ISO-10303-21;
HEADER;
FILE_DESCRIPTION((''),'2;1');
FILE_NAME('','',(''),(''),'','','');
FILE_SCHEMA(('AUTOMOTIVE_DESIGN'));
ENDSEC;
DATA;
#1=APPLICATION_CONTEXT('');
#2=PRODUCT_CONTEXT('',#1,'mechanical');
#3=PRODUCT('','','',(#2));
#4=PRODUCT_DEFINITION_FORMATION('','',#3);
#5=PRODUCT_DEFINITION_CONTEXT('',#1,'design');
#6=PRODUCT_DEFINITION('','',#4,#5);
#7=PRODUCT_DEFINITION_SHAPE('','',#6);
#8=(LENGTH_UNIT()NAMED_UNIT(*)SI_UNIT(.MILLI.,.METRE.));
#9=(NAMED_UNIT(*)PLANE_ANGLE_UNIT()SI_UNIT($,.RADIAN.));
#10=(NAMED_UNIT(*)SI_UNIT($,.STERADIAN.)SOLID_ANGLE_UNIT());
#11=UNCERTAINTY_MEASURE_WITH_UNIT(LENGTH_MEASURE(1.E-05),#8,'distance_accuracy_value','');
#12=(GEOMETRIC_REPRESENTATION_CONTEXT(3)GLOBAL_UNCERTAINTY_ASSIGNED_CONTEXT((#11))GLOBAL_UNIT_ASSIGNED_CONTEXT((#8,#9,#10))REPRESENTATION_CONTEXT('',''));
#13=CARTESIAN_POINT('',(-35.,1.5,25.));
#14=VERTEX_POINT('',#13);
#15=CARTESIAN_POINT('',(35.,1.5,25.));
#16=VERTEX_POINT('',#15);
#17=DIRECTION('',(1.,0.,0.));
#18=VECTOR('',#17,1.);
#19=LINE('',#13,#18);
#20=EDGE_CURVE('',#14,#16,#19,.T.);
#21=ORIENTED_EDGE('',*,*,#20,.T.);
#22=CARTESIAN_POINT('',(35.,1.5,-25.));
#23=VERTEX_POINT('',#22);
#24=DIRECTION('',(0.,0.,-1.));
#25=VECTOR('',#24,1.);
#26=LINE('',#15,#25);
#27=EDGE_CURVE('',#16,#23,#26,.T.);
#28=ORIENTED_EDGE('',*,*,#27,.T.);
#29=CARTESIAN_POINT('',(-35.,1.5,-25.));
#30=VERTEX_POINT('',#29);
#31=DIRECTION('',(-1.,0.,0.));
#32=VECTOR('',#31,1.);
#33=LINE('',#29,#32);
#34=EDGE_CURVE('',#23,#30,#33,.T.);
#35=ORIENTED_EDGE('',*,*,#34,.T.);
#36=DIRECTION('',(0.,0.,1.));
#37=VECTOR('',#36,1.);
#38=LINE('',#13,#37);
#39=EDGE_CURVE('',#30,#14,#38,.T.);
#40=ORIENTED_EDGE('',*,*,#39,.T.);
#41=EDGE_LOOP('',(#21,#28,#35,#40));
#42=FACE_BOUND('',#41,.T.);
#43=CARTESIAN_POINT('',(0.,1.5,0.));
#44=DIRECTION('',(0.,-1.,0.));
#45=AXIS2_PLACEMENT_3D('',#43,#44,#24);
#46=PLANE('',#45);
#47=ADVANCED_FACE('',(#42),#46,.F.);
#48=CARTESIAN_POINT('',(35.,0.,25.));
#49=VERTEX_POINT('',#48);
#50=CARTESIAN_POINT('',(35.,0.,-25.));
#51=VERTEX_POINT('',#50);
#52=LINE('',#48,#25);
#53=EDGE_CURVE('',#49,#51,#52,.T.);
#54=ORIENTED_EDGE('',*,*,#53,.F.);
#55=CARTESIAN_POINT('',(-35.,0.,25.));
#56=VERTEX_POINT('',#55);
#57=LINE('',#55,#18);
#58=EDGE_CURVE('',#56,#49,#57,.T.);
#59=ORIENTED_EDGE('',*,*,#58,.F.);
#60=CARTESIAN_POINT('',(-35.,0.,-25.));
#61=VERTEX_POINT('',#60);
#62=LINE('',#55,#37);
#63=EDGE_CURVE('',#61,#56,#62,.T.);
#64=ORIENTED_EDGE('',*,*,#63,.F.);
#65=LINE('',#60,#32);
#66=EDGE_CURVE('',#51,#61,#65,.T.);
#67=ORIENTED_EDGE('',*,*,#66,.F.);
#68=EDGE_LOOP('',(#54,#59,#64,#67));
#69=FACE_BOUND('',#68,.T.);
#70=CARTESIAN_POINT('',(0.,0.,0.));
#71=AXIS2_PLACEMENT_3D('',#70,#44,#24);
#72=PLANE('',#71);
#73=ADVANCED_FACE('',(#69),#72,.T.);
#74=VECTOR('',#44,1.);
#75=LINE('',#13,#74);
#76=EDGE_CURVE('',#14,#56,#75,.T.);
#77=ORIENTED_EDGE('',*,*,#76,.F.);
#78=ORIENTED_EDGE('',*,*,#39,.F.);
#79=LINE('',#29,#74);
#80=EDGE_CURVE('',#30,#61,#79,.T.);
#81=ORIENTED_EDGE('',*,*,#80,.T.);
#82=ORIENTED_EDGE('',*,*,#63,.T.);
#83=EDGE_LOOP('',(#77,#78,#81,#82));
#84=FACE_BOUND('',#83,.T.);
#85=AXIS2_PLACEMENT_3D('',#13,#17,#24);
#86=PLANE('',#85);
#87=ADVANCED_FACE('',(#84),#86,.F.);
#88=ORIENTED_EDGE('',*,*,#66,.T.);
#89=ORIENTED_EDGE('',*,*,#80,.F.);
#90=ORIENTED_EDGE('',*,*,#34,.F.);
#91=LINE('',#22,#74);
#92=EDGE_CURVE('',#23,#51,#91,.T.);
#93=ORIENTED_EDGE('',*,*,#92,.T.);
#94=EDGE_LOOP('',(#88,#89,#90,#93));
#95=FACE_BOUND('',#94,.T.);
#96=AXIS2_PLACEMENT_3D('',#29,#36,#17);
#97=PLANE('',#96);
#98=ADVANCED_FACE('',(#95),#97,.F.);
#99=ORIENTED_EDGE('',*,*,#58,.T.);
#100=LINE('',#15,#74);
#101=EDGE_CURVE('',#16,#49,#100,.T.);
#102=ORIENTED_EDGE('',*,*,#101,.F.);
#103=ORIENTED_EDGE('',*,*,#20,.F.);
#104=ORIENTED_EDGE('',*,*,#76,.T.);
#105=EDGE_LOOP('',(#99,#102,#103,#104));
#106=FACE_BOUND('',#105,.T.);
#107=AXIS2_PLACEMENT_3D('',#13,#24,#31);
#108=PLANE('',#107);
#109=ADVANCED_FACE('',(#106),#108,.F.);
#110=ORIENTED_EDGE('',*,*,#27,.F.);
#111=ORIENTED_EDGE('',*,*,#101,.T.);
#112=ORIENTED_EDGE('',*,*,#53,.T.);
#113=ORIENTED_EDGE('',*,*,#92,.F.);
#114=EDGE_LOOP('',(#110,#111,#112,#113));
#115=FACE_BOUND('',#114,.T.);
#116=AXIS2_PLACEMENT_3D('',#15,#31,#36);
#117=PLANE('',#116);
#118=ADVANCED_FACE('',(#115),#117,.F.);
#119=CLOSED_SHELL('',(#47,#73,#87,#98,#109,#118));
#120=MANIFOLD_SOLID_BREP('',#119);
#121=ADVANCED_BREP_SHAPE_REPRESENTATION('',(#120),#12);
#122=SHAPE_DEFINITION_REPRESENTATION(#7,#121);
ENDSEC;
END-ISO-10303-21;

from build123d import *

# Parameters (mm, degrees)
ESBO_O1_W                = 70
ESBO_O1_H                = 50
RESSALTO_EXTRUS_O1_DEPTH = 1.5


with BuildPart() as part:
    # Esboço1 → Ressalto-extrusão1 (new body)
    with BuildSketch(Plane(origin=(0, 0, 0), x_dir=(1, 0, 0), z_dir=(0, 1, 0))):
        Rectangle(ESBO_O1_W, ESBO_O1_H)
    extrude(amount=RESSALTO_EXTRUS_O1_DEPTH)


solid = part.part
